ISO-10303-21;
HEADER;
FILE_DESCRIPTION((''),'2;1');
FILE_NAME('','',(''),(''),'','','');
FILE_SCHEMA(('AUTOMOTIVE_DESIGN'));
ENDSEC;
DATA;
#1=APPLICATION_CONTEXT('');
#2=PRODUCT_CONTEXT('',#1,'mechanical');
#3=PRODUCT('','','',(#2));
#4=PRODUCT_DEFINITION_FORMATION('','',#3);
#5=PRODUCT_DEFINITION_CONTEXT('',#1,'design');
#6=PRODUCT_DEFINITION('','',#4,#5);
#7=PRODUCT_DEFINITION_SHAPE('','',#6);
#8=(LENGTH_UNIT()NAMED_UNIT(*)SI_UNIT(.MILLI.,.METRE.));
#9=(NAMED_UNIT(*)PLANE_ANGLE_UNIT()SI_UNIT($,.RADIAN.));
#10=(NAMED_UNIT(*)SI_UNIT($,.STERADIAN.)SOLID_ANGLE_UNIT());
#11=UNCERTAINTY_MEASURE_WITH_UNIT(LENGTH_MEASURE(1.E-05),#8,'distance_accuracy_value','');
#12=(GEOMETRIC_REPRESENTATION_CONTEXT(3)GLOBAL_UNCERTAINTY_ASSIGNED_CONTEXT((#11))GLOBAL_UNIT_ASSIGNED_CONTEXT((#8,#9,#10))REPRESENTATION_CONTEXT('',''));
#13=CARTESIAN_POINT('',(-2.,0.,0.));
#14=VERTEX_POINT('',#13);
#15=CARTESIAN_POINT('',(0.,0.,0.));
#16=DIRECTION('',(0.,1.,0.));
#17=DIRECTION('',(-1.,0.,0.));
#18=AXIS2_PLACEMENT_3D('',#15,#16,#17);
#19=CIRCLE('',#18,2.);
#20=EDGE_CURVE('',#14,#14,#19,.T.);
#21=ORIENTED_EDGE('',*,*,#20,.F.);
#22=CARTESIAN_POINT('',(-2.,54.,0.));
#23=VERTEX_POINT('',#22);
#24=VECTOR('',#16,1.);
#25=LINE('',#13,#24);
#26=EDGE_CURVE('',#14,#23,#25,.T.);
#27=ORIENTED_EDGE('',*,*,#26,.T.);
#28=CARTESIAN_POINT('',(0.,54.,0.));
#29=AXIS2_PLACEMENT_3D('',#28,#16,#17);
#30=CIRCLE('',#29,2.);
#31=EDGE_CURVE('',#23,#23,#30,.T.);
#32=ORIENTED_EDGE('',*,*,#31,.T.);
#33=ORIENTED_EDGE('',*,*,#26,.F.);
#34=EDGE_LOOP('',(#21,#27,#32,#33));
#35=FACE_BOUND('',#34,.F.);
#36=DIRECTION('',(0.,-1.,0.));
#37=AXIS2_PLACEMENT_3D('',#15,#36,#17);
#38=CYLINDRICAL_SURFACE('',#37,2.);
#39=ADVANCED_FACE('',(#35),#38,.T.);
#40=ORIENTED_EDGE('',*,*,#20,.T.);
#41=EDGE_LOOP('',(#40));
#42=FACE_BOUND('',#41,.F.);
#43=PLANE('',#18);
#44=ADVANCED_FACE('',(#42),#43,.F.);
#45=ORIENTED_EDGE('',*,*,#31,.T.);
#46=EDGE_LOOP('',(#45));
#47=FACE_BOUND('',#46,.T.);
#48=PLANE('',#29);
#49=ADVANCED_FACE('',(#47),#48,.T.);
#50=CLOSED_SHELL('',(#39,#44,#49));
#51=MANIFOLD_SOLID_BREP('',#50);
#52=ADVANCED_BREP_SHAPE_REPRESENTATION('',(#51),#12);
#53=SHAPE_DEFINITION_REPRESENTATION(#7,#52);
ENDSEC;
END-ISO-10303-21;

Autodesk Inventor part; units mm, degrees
ref_plane "YZ Plane" through (0, 0, 0) normal (1, 0, 0) x (0, 1, 0)
ref_plane "XZ Plane" through (0, 0, 0) normal (0, 1, 0) x (-1, 0, 0)
ref_plane "XY Plane" through (0, 0, 0) normal (0, 0, 1) x (1, 0, 0)
sketch "スケッチ1" plane through (0, 0, 0) normal (0, 1, 0) x (-1, 0, 0)
  circle A0 centre (0, 0) radius 2
  dimension "d0" = 4
extrude "押し出し1" add sketch "スケッチ1" along normal blind 54
properties part number "ハンド_ベアリングシャフト_1" material "アルミニウム 6061"
